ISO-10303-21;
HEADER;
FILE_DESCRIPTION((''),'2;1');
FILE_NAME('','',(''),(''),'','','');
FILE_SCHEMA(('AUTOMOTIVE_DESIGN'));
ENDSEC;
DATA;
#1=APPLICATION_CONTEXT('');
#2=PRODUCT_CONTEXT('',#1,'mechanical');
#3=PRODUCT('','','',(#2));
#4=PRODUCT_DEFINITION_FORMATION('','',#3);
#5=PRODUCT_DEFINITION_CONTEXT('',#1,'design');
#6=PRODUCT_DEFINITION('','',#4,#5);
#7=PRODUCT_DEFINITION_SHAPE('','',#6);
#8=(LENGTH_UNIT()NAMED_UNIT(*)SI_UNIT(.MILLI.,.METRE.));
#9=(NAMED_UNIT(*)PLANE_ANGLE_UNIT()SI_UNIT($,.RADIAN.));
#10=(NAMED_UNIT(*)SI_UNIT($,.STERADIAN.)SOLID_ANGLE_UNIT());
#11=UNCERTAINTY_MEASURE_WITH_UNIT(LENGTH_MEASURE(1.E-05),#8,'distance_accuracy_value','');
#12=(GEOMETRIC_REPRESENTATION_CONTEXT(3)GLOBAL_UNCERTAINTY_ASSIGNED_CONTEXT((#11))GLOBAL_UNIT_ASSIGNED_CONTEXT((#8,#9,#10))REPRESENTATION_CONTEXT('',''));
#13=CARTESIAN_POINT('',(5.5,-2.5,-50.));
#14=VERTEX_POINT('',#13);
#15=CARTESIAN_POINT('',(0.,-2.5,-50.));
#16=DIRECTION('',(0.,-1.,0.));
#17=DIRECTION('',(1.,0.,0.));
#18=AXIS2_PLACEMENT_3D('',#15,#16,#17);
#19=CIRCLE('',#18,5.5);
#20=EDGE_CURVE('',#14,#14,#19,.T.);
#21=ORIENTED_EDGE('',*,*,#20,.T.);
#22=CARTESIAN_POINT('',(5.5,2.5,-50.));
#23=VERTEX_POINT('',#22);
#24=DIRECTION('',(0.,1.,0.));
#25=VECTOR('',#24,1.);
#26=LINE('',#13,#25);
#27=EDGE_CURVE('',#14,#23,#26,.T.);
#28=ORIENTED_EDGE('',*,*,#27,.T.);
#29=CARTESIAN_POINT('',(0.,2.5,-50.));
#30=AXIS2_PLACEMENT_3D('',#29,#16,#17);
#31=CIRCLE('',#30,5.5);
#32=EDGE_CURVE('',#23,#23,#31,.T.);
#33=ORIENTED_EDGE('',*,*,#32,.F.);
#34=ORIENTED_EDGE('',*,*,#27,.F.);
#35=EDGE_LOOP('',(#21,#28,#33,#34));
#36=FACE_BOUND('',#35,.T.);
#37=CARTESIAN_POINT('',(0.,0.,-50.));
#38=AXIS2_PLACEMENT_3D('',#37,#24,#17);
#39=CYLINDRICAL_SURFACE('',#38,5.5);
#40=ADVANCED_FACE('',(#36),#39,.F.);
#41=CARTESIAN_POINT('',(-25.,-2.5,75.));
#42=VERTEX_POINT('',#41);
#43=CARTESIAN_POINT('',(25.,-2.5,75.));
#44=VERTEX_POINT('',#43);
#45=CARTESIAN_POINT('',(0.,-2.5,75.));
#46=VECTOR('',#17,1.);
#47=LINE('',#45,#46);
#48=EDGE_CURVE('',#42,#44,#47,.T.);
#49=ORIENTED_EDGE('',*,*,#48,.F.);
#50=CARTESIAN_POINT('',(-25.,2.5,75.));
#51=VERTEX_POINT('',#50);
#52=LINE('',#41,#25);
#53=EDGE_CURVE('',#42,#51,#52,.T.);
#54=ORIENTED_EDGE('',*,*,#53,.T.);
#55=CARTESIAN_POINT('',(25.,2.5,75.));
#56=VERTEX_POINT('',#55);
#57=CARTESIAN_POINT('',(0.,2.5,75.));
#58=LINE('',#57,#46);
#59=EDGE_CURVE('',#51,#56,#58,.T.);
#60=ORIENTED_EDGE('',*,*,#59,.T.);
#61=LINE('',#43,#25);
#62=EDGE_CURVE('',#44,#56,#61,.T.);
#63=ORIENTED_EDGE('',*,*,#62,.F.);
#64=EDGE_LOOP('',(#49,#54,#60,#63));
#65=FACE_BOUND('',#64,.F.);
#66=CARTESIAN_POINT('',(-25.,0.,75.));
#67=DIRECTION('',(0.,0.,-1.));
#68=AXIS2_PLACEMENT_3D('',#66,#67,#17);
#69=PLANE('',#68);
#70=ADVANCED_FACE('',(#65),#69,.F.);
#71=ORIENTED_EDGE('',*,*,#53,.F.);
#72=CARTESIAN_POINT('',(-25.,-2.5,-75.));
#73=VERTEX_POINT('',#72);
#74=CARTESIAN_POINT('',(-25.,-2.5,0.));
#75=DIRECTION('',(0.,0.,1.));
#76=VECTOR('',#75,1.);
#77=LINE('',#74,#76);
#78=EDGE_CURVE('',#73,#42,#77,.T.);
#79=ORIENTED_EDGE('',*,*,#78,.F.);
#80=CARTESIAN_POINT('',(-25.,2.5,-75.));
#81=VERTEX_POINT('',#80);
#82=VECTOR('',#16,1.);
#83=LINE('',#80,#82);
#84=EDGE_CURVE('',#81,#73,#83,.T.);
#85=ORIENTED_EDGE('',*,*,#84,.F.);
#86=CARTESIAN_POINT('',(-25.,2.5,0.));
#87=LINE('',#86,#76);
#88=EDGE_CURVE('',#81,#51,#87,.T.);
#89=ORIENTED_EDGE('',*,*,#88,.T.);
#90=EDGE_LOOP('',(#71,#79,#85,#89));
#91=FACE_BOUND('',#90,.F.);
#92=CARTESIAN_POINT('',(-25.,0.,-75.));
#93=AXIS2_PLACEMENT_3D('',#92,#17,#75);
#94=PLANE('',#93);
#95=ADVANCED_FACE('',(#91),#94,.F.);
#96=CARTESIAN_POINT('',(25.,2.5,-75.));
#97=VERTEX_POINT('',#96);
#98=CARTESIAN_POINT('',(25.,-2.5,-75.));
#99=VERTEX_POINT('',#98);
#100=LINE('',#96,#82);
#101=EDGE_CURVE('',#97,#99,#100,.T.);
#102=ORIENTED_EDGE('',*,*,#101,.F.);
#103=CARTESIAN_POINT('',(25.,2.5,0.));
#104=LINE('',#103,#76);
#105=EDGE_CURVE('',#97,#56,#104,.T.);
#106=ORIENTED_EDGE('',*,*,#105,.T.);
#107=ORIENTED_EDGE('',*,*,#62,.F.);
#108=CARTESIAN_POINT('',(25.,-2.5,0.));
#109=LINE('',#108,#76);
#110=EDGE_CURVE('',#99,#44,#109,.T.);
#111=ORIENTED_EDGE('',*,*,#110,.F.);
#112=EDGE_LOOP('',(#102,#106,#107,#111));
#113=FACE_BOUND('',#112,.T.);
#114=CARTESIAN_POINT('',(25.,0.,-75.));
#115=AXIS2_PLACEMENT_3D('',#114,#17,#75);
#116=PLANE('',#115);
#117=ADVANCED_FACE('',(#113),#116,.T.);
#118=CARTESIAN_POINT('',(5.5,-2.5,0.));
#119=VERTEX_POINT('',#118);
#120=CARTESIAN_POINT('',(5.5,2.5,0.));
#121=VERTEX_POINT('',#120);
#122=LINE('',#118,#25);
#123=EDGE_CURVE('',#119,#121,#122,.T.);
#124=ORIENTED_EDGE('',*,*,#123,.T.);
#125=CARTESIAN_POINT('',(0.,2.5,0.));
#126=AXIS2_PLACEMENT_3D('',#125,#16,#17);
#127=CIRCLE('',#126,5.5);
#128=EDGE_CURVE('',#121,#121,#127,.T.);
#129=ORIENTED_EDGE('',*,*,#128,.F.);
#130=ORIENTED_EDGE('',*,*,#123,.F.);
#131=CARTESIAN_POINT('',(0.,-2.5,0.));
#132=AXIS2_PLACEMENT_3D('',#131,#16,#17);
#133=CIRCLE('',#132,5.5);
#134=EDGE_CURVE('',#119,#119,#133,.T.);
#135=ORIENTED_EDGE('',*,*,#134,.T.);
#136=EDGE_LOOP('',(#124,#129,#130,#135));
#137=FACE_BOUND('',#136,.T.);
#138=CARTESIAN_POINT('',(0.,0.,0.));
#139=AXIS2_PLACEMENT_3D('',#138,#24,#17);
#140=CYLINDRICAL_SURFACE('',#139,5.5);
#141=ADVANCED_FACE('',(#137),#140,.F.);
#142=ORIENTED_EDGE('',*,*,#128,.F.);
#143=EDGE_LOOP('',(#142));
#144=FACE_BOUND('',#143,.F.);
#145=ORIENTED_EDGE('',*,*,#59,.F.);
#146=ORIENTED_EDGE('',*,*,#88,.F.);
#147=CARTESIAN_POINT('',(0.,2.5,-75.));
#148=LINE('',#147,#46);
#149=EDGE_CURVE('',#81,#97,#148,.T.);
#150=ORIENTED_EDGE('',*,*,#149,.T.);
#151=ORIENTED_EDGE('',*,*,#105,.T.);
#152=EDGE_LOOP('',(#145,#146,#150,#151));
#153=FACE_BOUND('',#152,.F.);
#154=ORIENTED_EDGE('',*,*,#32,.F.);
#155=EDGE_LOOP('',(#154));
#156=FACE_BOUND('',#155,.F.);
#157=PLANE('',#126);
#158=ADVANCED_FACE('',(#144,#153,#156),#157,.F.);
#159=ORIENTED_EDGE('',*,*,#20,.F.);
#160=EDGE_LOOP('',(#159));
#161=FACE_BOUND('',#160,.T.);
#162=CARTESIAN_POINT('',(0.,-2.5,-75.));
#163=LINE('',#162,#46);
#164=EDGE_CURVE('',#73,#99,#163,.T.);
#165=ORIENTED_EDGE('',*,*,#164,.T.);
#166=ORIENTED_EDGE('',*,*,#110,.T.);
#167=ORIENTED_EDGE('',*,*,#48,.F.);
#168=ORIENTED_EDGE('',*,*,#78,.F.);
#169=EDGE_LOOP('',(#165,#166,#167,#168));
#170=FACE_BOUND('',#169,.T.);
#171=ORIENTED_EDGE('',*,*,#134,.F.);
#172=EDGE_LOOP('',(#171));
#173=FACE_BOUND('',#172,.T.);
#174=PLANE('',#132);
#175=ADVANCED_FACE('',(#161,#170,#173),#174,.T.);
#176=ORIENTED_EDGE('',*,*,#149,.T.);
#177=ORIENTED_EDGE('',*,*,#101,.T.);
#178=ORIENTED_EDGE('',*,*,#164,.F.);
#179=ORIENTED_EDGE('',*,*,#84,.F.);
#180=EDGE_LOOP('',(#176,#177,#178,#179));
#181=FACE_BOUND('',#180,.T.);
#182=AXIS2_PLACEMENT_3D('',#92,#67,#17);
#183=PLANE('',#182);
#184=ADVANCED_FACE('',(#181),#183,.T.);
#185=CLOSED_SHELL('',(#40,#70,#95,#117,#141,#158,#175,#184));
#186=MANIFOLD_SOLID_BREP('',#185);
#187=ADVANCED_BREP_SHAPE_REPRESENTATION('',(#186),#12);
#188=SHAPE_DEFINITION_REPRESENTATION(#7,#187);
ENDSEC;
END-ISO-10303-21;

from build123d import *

# Parameters (mm, degrees)
F0_W     = 50
F0_H     = 150
F0_R     = 5.5
F1_DEPTH = 2.5


with BuildPart() as f1:
    # F0 (on Front) → F1 (new body, symmetric)
    with BuildSketch(Plane.XZ):
        Rectangle(F0_W, F0_H)
        with Locations((0, -50)):
            Circle(F0_R, mode=Mode.SUBTRACT)
        Circle(F0_R, mode=Mode.SUBTRACT)
    extrude(amount=F1_DEPTH, both=True)


solid = f1.part
